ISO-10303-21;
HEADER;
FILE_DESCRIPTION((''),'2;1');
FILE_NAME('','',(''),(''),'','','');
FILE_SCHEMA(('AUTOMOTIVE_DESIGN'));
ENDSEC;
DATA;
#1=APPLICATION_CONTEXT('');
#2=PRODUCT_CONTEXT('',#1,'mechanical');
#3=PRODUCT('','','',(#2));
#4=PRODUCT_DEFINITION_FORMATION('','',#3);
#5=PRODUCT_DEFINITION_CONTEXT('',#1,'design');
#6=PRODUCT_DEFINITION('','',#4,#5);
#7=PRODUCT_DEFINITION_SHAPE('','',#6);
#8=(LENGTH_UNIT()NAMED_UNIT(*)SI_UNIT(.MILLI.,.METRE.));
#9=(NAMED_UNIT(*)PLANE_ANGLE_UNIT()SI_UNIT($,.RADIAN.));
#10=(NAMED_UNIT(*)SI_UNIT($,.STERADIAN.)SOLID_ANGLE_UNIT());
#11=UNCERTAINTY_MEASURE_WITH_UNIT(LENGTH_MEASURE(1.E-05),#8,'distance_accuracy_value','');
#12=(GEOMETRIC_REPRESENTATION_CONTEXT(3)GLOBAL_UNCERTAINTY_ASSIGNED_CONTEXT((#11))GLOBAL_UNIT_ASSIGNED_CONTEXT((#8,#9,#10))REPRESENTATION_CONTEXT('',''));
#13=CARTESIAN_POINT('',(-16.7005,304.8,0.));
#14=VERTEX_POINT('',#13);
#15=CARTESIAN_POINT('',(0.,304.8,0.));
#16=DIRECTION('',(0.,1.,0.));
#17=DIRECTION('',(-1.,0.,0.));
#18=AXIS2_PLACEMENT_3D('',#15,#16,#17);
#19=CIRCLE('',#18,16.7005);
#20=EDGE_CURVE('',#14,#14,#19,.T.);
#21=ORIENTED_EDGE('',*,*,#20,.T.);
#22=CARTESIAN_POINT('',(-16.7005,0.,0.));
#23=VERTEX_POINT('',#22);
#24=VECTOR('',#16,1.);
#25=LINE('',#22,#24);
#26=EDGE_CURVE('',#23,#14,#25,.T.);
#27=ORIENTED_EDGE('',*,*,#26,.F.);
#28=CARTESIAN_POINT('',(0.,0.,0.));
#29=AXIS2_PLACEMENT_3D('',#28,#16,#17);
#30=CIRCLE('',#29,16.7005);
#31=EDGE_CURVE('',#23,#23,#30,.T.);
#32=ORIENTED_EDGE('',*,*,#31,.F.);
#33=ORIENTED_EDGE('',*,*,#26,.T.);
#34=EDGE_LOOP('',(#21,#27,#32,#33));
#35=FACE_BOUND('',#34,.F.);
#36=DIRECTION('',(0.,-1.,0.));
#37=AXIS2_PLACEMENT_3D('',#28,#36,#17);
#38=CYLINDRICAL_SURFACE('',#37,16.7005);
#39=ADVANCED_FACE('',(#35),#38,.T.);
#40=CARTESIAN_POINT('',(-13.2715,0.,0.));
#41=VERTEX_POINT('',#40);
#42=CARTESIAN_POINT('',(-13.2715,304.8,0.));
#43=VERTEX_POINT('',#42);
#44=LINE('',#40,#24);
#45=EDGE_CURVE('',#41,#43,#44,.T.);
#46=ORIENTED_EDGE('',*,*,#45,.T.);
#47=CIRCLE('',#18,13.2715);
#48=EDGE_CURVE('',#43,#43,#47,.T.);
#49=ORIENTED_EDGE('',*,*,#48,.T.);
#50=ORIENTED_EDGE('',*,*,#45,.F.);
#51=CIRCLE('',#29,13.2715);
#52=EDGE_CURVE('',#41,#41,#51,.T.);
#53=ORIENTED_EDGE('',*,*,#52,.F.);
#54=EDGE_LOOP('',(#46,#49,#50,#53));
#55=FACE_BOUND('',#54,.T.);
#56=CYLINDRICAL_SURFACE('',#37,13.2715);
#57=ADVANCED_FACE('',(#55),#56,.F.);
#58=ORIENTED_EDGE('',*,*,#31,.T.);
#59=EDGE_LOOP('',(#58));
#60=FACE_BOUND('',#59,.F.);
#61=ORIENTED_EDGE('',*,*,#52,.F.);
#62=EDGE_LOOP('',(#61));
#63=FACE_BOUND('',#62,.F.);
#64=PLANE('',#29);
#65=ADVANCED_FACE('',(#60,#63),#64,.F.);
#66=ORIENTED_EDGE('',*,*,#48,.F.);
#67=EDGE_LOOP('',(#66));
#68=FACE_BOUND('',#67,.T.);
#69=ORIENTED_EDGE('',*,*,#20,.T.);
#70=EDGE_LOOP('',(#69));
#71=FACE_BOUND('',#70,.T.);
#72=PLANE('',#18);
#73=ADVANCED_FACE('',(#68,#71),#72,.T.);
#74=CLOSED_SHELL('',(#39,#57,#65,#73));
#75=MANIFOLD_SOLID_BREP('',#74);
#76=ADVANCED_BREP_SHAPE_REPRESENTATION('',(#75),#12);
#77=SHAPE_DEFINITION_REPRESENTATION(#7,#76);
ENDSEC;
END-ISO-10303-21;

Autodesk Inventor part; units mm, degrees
ref_plane "YZ Plane" through (0, 0, 0) normal (1, 0, 0) x (0, 1, 0)
ref_plane "XZ Plane" through (0, 0, 0) normal (0, 1, 0) x (-1, 0, 0)
ref_plane "XY Plane" through (0, 0, 0) normal (0, 0, 1) x (1, 0, 0)
sketch "Sketch1" plane through (0, 0, 0) normal (0, 1, 0) x (-1, 0, 0)
  circle A0 centre (0, 0) radius 13.2715
  circle A1 centre (0, 0) radius 16.7005
  dimension "d0" = 26.543
  dimension "d1" = 33.401
extrude "Extrusion1" add sketch "Sketch1" along normal blind 304.8
properties part number "pvc pipe 1in 1ft 4"
